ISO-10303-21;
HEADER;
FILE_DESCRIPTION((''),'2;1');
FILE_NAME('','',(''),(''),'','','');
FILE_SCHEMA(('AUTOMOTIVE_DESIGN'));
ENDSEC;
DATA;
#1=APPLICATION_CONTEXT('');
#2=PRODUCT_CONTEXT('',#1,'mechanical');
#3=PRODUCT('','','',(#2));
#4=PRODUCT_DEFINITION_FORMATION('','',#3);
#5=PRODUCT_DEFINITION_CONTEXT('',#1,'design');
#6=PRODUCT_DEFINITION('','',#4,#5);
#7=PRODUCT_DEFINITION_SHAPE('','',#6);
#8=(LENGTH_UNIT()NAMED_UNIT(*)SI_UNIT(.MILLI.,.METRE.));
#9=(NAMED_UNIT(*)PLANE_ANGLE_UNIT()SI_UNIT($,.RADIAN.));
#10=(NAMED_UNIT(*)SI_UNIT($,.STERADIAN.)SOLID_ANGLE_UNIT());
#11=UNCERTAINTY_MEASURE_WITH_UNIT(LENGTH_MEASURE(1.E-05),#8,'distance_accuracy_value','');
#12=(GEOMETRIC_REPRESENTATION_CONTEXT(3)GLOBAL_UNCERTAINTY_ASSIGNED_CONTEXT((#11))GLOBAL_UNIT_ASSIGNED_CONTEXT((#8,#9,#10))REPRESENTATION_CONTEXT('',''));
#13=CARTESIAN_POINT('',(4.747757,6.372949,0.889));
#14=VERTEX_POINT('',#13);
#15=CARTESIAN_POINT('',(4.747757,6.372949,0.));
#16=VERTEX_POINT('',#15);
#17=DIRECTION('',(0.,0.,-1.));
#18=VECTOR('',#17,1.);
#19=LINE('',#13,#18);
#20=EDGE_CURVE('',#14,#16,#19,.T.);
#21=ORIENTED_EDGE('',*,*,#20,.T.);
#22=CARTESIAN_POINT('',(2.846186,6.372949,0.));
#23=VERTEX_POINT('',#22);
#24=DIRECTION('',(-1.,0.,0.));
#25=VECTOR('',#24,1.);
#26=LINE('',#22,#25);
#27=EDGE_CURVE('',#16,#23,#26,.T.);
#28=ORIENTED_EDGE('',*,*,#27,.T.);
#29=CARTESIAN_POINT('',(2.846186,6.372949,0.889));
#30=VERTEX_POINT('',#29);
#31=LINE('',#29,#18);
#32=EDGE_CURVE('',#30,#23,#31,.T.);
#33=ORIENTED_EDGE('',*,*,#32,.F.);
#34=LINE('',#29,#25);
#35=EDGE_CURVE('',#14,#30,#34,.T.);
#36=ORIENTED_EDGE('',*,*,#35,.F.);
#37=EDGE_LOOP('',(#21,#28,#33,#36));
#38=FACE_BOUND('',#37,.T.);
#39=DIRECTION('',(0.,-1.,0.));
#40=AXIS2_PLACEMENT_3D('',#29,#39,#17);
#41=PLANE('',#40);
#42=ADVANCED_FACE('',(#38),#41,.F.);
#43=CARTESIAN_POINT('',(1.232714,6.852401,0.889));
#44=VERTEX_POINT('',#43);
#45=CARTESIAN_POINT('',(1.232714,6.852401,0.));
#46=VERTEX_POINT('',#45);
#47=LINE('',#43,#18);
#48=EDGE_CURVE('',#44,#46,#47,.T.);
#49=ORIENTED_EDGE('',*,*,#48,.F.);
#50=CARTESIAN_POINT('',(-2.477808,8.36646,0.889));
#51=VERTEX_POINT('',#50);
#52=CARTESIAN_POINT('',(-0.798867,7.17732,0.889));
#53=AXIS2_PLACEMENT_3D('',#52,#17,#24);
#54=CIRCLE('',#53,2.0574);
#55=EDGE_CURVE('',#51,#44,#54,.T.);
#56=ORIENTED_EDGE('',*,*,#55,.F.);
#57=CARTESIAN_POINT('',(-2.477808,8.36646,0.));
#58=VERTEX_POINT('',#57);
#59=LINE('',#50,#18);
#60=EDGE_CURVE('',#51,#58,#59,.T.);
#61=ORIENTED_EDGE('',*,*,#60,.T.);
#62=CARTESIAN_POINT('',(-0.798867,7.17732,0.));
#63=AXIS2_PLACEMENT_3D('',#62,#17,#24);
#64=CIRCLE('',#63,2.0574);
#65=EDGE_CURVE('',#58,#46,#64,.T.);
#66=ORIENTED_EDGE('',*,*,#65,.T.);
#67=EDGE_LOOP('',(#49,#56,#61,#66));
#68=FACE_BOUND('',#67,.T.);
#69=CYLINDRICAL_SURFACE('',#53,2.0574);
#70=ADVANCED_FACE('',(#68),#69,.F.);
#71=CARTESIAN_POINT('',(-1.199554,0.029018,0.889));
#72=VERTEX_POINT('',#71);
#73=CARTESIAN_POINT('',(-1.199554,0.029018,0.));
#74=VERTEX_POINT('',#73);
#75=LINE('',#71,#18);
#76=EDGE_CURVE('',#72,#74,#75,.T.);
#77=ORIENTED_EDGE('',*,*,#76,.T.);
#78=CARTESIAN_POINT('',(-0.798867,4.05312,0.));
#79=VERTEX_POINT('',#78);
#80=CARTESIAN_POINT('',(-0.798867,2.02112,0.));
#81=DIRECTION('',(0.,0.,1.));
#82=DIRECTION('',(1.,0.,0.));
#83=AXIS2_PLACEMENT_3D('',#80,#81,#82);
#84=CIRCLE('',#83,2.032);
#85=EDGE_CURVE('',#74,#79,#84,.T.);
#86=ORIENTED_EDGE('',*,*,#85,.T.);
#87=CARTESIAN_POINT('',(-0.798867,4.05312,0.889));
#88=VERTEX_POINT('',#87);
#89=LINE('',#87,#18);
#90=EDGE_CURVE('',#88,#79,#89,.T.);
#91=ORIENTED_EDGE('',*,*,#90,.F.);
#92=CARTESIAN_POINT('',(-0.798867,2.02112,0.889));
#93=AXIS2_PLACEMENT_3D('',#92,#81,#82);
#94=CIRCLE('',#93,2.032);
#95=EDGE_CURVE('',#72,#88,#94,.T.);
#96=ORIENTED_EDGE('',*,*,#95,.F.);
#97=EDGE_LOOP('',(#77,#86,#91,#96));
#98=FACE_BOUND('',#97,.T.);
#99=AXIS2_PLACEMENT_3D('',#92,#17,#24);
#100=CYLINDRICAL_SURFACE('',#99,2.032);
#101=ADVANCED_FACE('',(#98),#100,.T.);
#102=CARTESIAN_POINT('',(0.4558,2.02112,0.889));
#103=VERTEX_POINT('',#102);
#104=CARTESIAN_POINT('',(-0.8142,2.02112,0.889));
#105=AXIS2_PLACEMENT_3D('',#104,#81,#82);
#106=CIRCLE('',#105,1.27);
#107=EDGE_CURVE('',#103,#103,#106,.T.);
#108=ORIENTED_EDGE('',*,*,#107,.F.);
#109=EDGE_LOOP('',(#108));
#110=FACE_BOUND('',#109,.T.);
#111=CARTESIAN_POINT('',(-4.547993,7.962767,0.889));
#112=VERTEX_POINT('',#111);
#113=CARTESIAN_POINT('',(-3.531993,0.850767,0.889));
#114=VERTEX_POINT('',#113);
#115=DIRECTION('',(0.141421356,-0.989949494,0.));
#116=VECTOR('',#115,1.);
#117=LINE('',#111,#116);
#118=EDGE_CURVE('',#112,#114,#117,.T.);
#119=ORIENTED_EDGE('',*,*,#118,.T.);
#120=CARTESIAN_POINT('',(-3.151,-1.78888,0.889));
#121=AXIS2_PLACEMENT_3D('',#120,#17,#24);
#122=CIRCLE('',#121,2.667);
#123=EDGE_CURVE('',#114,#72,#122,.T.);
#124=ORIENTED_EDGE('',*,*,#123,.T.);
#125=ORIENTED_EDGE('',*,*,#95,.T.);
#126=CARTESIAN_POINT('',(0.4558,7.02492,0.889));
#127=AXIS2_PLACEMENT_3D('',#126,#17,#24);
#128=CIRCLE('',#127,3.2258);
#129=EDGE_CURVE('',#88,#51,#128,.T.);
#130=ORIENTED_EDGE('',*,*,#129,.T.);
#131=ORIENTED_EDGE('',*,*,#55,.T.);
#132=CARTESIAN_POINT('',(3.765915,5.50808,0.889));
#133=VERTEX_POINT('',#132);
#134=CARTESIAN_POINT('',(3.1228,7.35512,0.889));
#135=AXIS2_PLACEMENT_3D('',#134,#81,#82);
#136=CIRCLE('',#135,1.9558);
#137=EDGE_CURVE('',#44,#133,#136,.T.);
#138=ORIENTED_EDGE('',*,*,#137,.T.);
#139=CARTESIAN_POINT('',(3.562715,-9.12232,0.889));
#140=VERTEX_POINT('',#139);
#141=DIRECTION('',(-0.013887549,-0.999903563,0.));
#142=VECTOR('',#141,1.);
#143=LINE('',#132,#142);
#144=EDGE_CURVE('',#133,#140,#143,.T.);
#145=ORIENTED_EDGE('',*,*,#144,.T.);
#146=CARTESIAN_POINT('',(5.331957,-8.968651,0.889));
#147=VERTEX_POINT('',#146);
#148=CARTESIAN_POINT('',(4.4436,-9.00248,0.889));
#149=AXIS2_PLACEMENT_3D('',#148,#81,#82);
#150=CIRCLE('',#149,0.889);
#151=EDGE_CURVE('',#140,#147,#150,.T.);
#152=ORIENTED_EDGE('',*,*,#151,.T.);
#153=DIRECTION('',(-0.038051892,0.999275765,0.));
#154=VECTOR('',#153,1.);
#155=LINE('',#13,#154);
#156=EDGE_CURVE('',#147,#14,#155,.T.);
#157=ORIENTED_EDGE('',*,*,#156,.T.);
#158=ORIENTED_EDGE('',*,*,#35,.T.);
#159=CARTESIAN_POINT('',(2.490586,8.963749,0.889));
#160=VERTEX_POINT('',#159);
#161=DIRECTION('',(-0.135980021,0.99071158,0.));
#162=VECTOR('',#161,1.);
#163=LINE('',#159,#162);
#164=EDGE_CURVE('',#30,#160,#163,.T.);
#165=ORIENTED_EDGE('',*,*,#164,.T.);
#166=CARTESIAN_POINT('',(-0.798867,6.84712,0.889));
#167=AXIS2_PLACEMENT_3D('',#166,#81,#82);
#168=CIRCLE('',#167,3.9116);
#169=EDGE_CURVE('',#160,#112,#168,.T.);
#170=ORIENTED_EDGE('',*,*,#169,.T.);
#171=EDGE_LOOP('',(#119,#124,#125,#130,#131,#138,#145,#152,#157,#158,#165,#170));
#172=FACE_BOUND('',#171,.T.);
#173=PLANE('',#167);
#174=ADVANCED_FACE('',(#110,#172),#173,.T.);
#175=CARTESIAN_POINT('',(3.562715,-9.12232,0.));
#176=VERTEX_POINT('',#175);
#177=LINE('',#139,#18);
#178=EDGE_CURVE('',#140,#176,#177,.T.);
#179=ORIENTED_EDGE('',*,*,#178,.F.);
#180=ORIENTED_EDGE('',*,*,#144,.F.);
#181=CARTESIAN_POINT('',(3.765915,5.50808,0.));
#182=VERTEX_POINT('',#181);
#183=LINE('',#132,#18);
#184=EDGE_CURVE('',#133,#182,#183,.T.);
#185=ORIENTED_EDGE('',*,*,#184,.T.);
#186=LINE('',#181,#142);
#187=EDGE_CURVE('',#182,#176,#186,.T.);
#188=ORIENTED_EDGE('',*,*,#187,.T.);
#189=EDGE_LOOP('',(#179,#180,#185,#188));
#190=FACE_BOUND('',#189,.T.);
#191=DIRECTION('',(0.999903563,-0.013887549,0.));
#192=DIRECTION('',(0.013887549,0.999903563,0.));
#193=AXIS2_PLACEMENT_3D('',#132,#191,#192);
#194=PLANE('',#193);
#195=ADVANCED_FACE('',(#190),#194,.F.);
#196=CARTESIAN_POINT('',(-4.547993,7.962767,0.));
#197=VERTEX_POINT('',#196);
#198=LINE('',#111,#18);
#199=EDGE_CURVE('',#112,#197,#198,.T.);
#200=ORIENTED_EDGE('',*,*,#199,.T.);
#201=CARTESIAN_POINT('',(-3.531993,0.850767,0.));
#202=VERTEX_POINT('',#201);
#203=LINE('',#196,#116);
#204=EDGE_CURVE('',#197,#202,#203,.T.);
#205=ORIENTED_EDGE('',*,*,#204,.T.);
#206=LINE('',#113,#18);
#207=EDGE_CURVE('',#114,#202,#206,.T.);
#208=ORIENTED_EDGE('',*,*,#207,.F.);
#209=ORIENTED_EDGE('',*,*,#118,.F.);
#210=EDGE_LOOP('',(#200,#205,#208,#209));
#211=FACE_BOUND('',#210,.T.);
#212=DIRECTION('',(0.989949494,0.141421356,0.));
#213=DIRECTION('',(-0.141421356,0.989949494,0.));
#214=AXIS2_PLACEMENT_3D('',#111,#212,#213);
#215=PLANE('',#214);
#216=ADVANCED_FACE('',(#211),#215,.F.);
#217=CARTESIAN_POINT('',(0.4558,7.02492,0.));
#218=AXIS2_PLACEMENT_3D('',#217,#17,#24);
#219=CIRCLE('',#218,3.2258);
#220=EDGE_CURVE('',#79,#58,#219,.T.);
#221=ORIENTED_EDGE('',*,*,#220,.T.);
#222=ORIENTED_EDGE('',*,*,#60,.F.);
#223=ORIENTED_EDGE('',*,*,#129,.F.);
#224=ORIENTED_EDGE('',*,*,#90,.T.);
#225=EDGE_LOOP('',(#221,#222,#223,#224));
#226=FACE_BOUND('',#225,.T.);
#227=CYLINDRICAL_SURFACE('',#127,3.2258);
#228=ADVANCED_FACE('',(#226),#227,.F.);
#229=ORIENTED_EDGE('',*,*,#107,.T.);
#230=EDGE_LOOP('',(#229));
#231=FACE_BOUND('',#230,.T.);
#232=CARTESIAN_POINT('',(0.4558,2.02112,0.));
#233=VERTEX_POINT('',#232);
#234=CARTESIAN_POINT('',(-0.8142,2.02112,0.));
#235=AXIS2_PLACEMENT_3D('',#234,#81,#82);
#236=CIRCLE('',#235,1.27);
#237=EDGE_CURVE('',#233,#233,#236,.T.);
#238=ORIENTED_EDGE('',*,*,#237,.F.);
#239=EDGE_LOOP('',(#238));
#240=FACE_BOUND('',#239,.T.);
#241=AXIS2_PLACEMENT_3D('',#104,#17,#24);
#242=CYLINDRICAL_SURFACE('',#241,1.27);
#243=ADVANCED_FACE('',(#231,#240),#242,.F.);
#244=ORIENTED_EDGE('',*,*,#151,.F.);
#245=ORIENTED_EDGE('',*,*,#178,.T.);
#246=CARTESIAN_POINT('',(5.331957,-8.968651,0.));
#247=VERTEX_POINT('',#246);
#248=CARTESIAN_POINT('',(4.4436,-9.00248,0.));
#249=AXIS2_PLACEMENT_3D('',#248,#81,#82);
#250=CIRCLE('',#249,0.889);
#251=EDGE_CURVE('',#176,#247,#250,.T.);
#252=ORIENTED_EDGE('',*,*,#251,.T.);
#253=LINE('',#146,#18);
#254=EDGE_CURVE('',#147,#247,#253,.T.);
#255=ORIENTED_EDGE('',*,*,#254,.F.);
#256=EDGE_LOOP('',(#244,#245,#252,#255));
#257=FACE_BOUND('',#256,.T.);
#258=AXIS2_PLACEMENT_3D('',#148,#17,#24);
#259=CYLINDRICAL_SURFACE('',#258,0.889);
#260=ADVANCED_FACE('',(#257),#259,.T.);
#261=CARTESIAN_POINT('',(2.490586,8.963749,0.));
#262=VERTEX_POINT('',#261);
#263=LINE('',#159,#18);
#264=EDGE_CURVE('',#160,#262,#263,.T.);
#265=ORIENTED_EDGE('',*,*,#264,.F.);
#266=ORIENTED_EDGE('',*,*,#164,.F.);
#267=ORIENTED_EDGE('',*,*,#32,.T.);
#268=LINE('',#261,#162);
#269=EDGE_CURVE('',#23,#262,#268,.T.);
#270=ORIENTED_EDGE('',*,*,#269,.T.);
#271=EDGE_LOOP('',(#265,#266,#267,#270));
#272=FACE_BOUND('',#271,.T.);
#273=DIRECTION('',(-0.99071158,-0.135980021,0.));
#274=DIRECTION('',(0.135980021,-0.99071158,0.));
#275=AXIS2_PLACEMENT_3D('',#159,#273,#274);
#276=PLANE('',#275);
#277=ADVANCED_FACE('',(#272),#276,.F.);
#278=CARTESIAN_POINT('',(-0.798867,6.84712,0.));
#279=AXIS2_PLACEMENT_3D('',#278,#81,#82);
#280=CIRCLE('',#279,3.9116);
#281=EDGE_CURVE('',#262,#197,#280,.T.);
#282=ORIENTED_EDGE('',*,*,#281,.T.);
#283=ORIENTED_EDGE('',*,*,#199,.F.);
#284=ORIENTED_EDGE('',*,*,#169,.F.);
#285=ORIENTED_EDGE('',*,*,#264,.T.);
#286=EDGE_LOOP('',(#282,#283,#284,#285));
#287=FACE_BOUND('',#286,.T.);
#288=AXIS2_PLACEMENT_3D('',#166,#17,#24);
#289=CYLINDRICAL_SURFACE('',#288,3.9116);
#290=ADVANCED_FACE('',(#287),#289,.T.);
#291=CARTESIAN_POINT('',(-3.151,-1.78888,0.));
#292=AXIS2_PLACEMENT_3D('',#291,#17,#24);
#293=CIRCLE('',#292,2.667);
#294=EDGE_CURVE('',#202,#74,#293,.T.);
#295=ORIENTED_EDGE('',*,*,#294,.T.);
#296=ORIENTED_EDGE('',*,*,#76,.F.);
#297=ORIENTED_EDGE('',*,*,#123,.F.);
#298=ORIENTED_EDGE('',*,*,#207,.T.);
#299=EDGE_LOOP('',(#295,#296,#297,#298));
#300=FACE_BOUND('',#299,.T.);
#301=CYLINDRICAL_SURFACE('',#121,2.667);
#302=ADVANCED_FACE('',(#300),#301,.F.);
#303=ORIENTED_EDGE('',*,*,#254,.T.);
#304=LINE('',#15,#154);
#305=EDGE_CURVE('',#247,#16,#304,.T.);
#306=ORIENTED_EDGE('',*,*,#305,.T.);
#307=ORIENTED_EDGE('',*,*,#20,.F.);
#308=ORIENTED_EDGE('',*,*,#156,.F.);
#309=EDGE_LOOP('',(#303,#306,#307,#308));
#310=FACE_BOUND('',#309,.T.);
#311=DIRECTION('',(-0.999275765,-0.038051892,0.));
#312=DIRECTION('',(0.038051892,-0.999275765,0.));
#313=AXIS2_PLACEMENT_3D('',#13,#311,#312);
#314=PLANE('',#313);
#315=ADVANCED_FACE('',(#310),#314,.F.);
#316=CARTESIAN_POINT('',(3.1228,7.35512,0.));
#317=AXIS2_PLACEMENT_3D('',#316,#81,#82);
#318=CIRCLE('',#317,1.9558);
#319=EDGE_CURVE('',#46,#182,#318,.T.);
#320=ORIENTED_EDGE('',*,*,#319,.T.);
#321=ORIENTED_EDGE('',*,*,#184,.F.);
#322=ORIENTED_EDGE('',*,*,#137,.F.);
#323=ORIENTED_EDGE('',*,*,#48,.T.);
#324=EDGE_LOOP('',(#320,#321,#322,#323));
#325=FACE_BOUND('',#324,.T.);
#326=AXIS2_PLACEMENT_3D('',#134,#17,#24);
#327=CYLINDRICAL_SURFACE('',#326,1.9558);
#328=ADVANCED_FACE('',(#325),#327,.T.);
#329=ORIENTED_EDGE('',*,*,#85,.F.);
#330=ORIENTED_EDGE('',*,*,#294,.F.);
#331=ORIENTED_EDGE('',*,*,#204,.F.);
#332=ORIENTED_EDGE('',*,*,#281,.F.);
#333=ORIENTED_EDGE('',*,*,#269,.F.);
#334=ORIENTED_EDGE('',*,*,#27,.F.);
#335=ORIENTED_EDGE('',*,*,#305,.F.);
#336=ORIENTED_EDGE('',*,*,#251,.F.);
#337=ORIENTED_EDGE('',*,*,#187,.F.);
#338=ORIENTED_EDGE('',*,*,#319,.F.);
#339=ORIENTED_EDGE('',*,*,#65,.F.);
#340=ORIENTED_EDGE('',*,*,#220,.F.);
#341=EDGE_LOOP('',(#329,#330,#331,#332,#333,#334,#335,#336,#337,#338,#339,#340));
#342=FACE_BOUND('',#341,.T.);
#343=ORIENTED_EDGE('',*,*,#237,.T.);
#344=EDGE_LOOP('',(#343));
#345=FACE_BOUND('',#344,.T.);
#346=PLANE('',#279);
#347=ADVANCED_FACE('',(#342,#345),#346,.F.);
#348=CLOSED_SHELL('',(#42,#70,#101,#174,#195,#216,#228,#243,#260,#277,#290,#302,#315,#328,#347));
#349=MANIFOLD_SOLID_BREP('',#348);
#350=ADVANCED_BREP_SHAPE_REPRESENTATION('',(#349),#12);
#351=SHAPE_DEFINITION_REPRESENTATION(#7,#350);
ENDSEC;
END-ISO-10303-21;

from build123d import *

# Parameters (mm, degrees)
SKETCH1_R           = 1.27
BOSS_EXTRUDE1_DEPTH = 0.889


with BuildPart() as part:
    # Sketch1 → Boss-Extrude1 (new body)
    with BuildSketch(Plane.XY):
        with BuildLine():
            Line((-4.547993368, 7.962766742), (-3.531993368, 0.850766742))
            ThreePointArc((-3.531993368, 0.850766742), (-2.264773091, 0.726570958), (-1.1995543, 0.029017555))
            ThreePointArc((-1.1995543, 0.029017555), (1.223134016, 1.819786094), (-0.798867095, 4.053120405))
            ThreePointArc((-0.798867095, 4.053120405), (-2.550299683, 5.854814329), (-2.477808037, 8.36645962))
            ThreePointArc((-2.477808037, 8.36645962), (-0.021575309, 9.082238313), (1.232714018, 6.852400507))
            ThreePointArc((1.232714018, 6.852400507), (2.205993955, 5.627515221), (3.765914813, 5.508080224))
            Line((3.765914813, 5.508080224), (3.562714813, -9.122319776))
            ThreePointArc((3.562714813, -9.122319776), (4.52052525, -9.888145198), (5.331956505, -8.968651464))
            Line((5.331956505, -8.968651464), (4.747756505, 6.372948536))
            Line((4.747756505, 6.372948536), (2.846185733, 6.372948536))
            Line((2.846185733, 6.372948536), (2.490585733, 8.963748536))
            ThreePointArc((2.490585733, 8.963748536), (-1.349608466, 10.719754973), (-4.547993368, 7.962766742))
        make_face()
        with Locations((-0.814199649, 2.021120405)):
            Circle(SKETCH1_R, mode=Mode.SUBTRACT)
    extrude(amount=BOSS_EXTRUDE1_DEPTH)


solid = part.part
